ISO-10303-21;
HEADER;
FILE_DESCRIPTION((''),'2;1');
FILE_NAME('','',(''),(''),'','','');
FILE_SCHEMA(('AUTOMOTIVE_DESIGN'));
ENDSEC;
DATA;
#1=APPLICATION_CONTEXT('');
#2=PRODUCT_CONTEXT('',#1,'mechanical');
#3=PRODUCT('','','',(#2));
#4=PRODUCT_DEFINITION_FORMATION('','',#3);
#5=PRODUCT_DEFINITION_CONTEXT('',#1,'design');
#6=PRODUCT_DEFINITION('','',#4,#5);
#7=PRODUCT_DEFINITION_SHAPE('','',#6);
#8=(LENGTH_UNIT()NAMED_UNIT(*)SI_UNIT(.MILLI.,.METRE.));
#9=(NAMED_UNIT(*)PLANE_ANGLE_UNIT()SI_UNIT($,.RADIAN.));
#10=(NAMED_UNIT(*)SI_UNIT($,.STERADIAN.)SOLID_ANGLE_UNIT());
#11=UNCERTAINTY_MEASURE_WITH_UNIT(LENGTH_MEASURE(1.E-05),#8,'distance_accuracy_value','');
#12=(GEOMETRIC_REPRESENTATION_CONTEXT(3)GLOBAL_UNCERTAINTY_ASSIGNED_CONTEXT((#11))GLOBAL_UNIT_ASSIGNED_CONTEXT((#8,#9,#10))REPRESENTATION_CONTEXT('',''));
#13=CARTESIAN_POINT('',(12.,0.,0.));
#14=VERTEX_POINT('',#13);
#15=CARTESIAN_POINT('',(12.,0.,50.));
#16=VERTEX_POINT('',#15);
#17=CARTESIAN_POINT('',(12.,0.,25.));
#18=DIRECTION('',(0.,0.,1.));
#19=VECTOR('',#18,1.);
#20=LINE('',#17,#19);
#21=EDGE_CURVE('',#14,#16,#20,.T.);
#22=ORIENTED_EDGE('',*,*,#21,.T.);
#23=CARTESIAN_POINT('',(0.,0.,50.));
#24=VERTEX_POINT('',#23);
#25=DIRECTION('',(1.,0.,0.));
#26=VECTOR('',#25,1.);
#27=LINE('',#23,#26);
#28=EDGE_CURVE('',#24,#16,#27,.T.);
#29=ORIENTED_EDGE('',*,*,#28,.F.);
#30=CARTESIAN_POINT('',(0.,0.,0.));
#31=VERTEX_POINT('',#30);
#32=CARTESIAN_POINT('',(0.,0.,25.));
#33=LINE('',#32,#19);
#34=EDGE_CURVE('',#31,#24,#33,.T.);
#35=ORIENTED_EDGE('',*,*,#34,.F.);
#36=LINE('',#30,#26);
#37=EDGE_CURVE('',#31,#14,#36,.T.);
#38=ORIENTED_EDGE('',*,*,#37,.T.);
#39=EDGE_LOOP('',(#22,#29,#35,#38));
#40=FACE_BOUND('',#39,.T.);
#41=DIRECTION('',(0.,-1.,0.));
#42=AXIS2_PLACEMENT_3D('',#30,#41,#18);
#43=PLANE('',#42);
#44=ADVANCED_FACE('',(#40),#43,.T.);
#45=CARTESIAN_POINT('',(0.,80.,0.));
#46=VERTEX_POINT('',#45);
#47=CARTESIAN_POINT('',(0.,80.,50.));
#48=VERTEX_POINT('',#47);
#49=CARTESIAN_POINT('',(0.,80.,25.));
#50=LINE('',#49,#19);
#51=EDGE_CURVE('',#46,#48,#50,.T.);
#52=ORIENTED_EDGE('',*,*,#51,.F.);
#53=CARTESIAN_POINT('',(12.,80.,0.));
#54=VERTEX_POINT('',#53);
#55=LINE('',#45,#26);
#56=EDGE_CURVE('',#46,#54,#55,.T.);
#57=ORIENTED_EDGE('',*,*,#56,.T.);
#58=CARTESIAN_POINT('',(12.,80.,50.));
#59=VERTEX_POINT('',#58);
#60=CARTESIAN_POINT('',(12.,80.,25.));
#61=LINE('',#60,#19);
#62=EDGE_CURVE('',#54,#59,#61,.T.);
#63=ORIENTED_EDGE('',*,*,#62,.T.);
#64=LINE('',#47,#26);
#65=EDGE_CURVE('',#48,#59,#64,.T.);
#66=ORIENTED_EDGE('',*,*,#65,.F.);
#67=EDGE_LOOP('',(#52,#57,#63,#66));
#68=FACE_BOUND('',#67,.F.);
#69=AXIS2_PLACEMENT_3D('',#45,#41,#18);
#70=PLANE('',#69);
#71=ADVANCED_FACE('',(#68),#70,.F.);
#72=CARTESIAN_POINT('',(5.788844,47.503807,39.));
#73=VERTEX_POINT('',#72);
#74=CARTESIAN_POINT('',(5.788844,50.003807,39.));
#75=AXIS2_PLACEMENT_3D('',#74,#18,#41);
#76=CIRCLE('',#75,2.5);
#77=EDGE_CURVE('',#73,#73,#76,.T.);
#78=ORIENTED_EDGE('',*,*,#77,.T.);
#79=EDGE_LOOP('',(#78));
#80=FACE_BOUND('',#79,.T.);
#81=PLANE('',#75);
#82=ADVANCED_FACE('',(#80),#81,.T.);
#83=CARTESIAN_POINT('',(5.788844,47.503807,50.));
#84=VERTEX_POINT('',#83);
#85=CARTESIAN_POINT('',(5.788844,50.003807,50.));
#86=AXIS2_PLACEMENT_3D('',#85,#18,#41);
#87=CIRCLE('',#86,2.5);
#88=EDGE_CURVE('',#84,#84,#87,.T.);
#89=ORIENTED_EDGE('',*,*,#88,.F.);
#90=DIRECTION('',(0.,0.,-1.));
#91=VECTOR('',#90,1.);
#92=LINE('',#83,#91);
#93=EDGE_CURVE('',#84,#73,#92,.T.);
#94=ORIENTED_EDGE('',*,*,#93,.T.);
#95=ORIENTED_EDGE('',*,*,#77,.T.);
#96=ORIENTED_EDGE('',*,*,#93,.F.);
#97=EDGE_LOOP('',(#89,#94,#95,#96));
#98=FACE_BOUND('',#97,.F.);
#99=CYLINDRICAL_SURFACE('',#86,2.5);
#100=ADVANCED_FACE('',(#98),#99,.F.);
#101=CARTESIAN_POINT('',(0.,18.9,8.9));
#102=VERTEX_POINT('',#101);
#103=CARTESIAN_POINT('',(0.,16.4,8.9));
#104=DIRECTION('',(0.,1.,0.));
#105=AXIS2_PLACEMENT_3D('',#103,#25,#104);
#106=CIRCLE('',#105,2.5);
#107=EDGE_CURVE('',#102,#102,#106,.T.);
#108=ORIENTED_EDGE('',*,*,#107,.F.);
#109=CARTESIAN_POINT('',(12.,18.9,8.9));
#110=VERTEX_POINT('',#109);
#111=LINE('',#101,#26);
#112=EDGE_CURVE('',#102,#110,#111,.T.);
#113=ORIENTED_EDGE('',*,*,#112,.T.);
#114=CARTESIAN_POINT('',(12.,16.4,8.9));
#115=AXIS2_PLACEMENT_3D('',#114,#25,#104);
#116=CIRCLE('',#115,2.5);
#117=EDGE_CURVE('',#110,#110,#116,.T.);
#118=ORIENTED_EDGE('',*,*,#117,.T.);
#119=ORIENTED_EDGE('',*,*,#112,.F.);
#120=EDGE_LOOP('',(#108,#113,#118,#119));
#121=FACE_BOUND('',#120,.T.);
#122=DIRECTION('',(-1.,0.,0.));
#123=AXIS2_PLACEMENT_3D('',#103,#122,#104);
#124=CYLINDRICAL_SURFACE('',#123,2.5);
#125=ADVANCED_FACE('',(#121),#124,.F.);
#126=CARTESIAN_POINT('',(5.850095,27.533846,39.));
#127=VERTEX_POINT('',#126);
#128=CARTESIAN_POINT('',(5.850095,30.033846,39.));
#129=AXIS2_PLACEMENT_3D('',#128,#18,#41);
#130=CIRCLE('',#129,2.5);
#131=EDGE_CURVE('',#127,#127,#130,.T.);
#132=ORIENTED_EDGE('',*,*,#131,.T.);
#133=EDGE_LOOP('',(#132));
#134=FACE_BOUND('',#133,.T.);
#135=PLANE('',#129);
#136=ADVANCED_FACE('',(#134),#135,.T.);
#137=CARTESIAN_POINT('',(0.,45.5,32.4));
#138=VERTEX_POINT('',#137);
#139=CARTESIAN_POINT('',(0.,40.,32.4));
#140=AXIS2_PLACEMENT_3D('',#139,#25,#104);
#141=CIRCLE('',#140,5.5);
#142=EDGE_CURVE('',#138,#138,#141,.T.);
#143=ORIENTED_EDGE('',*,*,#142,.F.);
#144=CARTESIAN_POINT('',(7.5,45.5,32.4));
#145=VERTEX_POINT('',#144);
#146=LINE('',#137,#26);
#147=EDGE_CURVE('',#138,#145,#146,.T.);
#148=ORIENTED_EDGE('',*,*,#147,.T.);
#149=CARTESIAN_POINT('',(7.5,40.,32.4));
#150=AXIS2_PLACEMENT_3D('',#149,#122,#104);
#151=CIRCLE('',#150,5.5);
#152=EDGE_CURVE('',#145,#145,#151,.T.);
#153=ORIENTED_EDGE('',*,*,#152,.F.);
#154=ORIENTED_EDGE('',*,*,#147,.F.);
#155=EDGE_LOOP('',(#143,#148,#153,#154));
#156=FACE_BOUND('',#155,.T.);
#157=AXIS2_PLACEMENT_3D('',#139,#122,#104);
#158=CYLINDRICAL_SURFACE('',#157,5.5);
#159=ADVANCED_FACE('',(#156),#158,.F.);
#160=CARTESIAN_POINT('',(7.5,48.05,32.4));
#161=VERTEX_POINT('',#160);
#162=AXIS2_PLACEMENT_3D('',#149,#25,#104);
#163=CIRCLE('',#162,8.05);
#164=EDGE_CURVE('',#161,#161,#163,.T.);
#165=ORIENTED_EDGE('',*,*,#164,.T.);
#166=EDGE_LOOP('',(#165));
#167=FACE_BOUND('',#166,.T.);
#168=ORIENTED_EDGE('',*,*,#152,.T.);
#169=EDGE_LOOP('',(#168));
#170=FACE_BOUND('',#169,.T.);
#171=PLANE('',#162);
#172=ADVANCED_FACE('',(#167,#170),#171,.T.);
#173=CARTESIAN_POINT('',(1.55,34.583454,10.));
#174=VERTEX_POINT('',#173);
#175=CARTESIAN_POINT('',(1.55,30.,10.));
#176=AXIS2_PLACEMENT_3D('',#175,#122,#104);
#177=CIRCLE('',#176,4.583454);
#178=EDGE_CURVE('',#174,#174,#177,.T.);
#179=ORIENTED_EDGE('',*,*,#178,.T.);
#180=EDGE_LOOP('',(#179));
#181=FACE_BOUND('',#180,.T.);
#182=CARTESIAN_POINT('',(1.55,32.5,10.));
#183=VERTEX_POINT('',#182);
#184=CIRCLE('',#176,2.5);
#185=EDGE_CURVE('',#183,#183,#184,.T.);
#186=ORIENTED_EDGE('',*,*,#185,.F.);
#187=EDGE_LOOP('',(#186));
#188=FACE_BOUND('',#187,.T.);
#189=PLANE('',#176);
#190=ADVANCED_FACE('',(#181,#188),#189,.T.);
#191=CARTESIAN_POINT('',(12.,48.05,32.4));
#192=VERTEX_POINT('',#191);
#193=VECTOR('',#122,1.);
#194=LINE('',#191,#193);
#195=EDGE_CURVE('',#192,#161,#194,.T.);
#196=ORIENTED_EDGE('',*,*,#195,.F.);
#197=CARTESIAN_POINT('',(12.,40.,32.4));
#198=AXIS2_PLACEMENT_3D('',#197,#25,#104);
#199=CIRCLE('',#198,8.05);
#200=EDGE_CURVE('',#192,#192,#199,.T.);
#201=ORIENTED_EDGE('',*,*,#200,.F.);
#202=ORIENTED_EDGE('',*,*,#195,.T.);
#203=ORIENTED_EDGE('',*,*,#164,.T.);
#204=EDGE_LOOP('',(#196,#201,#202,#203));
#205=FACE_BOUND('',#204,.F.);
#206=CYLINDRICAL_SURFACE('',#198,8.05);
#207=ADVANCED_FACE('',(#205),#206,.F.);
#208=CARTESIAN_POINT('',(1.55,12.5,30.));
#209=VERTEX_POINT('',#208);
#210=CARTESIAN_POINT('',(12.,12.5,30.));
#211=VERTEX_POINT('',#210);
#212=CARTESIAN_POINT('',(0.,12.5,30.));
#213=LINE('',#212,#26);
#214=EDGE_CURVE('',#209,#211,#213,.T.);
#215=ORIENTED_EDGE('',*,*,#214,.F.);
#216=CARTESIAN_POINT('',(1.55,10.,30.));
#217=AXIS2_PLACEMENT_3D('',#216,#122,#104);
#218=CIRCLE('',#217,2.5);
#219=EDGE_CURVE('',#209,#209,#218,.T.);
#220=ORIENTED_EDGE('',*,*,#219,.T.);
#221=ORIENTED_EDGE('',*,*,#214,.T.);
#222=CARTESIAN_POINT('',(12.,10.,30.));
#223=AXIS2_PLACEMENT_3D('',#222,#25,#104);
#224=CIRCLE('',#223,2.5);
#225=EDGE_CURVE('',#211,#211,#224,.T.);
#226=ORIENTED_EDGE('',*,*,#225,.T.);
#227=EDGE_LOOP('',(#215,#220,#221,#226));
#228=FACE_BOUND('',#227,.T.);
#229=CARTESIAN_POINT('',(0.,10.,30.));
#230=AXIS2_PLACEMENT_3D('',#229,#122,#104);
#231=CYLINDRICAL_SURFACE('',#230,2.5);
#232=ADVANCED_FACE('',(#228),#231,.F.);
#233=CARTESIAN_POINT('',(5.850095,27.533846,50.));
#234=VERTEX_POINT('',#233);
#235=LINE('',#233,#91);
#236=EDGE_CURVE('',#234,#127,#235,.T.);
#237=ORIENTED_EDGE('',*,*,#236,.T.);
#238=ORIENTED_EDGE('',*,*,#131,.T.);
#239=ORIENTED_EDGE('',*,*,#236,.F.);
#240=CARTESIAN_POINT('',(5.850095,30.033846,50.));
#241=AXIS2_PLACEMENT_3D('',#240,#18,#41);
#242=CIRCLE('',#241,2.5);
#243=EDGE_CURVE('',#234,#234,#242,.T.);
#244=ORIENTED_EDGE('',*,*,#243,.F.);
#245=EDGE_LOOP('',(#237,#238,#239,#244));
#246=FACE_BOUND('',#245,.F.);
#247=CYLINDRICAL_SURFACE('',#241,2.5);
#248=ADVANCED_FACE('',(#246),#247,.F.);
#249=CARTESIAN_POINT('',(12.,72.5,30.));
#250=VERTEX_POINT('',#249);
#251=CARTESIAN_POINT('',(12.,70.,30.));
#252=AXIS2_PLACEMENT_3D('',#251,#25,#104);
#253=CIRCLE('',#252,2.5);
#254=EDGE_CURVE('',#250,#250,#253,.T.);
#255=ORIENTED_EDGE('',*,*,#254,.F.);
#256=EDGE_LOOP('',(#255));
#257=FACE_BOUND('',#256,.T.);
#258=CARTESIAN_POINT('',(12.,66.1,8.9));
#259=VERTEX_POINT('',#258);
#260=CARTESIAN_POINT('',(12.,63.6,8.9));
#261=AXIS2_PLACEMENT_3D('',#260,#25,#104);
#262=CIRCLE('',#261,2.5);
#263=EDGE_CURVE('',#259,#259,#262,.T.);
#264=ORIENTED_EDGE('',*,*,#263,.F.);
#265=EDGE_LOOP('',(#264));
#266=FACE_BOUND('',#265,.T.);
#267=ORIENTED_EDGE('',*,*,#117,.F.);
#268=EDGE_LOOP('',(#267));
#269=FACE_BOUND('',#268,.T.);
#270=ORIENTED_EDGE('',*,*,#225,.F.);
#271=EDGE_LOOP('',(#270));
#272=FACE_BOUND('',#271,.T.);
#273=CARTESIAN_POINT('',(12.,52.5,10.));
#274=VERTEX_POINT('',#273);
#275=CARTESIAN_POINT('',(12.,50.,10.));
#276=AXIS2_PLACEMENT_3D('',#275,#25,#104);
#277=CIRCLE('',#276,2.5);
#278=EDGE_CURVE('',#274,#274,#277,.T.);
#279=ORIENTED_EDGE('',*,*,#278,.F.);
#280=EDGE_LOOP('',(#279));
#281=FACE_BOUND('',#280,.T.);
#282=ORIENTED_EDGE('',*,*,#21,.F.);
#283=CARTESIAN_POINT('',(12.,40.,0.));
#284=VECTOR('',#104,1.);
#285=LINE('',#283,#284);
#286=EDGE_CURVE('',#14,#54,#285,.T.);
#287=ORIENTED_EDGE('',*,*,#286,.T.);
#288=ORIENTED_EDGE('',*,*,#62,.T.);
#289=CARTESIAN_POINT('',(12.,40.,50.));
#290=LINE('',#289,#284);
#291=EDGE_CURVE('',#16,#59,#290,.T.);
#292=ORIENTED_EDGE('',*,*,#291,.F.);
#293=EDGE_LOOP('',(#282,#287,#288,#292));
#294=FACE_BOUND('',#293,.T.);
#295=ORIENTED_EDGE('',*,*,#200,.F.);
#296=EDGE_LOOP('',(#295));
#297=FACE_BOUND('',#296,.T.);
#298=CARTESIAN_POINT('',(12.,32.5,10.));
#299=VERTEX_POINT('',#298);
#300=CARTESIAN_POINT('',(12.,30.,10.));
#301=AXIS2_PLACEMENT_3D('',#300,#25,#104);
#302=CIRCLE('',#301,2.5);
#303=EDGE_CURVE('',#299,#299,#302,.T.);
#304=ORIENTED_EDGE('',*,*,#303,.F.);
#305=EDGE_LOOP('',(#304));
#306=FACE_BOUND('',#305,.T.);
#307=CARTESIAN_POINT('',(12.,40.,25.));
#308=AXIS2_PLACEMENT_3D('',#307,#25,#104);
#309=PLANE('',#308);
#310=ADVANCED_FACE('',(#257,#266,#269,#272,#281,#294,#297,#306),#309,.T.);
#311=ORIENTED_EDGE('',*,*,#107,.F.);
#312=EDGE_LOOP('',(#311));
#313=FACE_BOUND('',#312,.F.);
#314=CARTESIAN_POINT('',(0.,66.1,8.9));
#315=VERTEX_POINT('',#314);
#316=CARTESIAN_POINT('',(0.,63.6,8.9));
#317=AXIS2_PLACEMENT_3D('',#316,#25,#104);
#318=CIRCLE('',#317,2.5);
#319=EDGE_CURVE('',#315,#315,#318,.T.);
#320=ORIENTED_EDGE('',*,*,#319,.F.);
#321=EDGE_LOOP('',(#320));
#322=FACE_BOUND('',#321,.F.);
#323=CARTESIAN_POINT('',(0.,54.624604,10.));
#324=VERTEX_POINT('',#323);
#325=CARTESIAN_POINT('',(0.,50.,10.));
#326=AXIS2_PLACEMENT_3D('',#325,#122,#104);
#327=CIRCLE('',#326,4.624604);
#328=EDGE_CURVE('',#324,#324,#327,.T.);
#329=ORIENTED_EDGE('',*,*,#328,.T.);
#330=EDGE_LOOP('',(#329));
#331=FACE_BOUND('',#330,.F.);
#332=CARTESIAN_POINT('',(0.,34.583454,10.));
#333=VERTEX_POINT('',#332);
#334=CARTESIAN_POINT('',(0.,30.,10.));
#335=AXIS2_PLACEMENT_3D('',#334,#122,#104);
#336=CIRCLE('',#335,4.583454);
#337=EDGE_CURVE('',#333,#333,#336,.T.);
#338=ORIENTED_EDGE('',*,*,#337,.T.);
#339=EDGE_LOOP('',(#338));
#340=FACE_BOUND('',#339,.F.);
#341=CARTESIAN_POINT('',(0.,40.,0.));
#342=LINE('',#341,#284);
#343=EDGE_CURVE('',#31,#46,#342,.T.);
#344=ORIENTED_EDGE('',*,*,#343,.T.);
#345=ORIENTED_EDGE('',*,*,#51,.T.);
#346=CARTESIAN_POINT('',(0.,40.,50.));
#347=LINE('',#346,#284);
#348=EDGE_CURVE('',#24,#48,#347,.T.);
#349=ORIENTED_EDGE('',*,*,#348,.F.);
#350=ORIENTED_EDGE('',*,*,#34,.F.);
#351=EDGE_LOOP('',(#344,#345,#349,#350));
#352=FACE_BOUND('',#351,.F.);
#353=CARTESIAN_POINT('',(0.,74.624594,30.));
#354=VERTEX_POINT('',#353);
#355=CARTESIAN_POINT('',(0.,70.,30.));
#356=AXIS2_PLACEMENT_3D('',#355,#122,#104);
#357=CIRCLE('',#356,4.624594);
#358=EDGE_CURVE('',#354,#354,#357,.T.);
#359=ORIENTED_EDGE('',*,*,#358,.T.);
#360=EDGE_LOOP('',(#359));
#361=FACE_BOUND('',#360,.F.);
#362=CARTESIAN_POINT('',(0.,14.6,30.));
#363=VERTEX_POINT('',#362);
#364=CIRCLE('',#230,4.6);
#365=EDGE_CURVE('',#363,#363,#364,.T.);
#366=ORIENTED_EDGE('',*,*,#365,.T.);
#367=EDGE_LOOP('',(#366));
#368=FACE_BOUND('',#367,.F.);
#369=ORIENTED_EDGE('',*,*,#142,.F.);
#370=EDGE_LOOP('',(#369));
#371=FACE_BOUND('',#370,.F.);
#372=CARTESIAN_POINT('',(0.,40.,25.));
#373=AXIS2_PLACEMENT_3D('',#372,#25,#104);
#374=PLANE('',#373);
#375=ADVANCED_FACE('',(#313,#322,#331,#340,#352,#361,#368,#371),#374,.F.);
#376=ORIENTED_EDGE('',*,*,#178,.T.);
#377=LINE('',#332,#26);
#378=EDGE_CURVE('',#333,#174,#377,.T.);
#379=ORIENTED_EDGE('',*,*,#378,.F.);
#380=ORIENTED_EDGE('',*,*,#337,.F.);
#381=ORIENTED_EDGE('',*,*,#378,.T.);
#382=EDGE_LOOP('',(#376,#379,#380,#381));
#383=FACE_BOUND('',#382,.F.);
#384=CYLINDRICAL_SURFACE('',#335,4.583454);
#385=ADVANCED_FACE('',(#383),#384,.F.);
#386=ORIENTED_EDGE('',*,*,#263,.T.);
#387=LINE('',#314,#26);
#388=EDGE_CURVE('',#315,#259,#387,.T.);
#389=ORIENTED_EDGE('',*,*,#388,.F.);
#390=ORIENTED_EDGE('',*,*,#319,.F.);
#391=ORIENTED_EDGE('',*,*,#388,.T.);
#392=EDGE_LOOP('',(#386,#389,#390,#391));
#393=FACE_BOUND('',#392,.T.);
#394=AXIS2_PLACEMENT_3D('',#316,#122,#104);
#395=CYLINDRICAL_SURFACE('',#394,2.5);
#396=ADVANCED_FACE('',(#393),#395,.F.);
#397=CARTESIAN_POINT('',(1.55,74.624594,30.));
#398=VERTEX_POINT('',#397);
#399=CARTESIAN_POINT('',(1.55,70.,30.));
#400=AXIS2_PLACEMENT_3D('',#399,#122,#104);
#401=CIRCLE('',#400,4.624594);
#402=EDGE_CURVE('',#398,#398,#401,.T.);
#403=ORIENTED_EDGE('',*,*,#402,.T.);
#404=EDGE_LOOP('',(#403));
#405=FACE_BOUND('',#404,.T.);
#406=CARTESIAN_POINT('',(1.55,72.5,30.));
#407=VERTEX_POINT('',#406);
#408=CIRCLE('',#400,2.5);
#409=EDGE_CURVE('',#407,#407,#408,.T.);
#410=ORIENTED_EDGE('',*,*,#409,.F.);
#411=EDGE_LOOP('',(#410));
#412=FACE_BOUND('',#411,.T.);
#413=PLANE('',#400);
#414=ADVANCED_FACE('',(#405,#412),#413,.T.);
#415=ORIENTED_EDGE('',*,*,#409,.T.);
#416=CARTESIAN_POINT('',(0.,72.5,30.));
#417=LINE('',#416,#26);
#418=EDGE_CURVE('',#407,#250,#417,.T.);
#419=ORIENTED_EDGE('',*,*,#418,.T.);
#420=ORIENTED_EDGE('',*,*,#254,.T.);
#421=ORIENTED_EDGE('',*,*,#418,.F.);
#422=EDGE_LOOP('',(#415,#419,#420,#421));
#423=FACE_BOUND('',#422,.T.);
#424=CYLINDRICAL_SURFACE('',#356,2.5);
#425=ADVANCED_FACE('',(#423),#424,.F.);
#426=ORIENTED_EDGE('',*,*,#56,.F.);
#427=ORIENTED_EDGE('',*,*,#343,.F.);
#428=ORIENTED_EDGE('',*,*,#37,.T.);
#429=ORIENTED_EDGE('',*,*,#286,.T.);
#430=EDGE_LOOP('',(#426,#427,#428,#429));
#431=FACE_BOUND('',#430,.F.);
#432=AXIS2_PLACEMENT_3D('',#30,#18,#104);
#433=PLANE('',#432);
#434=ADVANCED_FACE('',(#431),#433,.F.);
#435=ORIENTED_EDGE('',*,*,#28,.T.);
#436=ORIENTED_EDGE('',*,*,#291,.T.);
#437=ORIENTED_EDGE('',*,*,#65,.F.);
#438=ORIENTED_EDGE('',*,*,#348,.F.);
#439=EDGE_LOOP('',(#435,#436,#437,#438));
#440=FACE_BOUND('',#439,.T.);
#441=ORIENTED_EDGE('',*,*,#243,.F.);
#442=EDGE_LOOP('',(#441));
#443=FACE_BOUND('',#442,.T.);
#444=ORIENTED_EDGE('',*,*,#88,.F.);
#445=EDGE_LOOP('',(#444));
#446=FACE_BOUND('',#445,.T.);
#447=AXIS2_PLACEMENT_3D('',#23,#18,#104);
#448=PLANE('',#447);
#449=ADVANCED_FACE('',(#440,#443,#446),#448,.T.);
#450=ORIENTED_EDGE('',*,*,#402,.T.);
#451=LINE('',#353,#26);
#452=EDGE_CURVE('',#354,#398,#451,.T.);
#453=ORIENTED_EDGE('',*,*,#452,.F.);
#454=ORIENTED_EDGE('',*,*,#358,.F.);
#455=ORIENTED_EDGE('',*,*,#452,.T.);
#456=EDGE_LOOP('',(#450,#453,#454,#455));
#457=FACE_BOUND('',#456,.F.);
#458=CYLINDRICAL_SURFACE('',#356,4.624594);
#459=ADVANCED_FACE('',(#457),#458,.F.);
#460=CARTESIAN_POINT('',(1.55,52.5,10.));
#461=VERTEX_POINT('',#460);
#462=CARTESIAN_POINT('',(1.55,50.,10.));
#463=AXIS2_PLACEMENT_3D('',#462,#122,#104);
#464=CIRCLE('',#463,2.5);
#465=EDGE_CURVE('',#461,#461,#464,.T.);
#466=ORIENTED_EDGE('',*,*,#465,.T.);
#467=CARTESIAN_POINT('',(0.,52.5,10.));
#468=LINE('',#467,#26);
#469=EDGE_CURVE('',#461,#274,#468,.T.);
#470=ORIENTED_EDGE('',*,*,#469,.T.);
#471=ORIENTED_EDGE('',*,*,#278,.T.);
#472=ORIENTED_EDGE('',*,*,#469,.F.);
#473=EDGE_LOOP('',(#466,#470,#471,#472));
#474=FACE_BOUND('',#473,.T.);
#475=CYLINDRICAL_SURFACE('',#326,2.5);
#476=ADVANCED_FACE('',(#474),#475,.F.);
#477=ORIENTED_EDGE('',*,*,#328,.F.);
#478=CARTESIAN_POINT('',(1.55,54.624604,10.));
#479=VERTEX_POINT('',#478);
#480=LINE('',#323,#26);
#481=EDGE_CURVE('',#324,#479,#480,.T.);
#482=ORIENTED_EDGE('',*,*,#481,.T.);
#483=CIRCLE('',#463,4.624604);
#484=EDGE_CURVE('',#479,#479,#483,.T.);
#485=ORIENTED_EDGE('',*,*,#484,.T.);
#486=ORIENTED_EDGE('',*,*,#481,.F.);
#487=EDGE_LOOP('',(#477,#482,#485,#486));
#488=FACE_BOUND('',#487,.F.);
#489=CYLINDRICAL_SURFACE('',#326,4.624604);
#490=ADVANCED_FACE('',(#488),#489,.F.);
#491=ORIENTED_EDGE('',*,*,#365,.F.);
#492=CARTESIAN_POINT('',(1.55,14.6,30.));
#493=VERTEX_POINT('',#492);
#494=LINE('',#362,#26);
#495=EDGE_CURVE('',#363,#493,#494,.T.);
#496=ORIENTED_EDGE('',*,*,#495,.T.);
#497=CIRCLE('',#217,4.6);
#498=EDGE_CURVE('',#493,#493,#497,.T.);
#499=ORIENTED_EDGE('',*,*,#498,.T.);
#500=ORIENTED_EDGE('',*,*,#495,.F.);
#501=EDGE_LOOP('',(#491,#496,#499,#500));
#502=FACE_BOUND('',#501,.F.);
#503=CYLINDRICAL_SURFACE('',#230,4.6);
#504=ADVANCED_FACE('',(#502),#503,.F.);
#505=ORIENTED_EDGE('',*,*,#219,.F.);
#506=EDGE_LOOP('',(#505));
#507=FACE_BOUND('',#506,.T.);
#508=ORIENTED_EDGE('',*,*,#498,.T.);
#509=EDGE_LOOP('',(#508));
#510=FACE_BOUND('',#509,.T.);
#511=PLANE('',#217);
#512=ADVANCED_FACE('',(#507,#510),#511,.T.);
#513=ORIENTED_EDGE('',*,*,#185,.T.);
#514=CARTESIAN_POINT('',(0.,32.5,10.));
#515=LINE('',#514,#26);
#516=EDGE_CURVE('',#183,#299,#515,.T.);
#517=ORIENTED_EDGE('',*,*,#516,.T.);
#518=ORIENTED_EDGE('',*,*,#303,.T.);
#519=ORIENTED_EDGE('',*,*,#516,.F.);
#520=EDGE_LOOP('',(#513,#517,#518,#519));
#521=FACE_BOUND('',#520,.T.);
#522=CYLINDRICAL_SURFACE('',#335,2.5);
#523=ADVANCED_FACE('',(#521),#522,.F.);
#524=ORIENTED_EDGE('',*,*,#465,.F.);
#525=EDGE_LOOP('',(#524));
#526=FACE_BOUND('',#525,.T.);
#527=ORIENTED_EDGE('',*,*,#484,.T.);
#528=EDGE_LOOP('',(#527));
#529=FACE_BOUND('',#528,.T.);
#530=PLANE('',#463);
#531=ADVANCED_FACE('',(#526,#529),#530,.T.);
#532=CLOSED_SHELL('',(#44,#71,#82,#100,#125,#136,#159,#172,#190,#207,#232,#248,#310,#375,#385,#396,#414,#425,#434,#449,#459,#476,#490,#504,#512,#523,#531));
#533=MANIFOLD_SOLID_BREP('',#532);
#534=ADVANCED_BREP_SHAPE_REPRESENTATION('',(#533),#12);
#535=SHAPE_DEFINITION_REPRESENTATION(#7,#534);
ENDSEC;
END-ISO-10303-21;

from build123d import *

# Parameters (mm, degrees)
SKETCH_W        = 80
SKETCH_H        = 50
SKETCH_R        = 2.5
SKETCH_R_2      = 5.5
PAD_DEPTH       = 12
SKETCH001_R     = 2.5
POCKET_DEPTH    = 11
SKETCH002_R     = 8.05
POCKET001_DEPTH = 4.5
SKETCH003_R     = 4.6
SKETCH003_R_2   = 4.624594
SKETCH003_R_3   = 4.583454
SKETCH003_R_4   = 4.624604
POCKET002_DEPTH = 1.55


with BuildPart() as part:
    # Sketch → Pad (new body)
    with BuildSketch(Plane.YZ):
        with Locations((40, 25)):
            Rectangle(SKETCH_W, SKETCH_H)
        with Locations((10, 30)):
            Circle(SKETCH_R, mode=Mode.SUBTRACT)
        with Locations((30, 10)):
            Circle(SKETCH_R, mode=Mode.SUBTRACT)
        with Locations((16.4, 8.9)):
            Circle(SKETCH_R, mode=Mode.SUBTRACT)
        with Locations((50, 10)):
            Circle(SKETCH_R, mode=Mode.SUBTRACT)
        with Locations((63.6, 8.9)):
            Circle(SKETCH_R, mode=Mode.SUBTRACT)
        with Locations((70, 30)):
            Circle(SKETCH_R, mode=Mode.SUBTRACT)
        with Locations((40, 32.4)):
            Circle(SKETCH_R_2, mode=Mode.SUBTRACT)
    extrude(amount=PAD_DEPTH)

    # Sketch001 → Pocket (cut)
    with BuildSketch(Plane(origin=(0, 0, 50), x_dir=(0, -1, 0), z_dir=(0, 0, 1))):
        with Locations((-30.033846, 5.850095)):
            Circle(SKETCH001_R)
        with Locations((-50.003807, 5.788844)):
            Circle(SKETCH001_R)
    extrude(amount=-POCKET_DEPTH, mode=Mode.SUBTRACT)

    # Sketch002 → Pocket001 (cut)
    with BuildSketch(Plane.YZ.offset(12)):
        with Locations((40, 32.4)):
            Circle(SKETCH002_R)
    extrude(amount=-POCKET001_DEPTH, mode=Mode.SUBTRACT)

    # Sketch003 → Pocket002 (cut)
    with BuildSketch(Plane(origin=(0, 0, 0), x_dir=(0, 1, 0), z_dir=(-1, 0, 0))):
        with Locations((10, -30)):
            Circle(SKETCH003_R)
        with Locations((70, -30)):
            Circle(SKETCH003_R_2)
        with Locations((30, -10)):
            Circle(SKETCH003_R_3)
        with Locations((50, -10)):
            Circle(SKETCH003_R_4)
    extrude(amount=-POCKET002_DEPTH, mode=Mode.SUBTRACT)


solid = part.part
